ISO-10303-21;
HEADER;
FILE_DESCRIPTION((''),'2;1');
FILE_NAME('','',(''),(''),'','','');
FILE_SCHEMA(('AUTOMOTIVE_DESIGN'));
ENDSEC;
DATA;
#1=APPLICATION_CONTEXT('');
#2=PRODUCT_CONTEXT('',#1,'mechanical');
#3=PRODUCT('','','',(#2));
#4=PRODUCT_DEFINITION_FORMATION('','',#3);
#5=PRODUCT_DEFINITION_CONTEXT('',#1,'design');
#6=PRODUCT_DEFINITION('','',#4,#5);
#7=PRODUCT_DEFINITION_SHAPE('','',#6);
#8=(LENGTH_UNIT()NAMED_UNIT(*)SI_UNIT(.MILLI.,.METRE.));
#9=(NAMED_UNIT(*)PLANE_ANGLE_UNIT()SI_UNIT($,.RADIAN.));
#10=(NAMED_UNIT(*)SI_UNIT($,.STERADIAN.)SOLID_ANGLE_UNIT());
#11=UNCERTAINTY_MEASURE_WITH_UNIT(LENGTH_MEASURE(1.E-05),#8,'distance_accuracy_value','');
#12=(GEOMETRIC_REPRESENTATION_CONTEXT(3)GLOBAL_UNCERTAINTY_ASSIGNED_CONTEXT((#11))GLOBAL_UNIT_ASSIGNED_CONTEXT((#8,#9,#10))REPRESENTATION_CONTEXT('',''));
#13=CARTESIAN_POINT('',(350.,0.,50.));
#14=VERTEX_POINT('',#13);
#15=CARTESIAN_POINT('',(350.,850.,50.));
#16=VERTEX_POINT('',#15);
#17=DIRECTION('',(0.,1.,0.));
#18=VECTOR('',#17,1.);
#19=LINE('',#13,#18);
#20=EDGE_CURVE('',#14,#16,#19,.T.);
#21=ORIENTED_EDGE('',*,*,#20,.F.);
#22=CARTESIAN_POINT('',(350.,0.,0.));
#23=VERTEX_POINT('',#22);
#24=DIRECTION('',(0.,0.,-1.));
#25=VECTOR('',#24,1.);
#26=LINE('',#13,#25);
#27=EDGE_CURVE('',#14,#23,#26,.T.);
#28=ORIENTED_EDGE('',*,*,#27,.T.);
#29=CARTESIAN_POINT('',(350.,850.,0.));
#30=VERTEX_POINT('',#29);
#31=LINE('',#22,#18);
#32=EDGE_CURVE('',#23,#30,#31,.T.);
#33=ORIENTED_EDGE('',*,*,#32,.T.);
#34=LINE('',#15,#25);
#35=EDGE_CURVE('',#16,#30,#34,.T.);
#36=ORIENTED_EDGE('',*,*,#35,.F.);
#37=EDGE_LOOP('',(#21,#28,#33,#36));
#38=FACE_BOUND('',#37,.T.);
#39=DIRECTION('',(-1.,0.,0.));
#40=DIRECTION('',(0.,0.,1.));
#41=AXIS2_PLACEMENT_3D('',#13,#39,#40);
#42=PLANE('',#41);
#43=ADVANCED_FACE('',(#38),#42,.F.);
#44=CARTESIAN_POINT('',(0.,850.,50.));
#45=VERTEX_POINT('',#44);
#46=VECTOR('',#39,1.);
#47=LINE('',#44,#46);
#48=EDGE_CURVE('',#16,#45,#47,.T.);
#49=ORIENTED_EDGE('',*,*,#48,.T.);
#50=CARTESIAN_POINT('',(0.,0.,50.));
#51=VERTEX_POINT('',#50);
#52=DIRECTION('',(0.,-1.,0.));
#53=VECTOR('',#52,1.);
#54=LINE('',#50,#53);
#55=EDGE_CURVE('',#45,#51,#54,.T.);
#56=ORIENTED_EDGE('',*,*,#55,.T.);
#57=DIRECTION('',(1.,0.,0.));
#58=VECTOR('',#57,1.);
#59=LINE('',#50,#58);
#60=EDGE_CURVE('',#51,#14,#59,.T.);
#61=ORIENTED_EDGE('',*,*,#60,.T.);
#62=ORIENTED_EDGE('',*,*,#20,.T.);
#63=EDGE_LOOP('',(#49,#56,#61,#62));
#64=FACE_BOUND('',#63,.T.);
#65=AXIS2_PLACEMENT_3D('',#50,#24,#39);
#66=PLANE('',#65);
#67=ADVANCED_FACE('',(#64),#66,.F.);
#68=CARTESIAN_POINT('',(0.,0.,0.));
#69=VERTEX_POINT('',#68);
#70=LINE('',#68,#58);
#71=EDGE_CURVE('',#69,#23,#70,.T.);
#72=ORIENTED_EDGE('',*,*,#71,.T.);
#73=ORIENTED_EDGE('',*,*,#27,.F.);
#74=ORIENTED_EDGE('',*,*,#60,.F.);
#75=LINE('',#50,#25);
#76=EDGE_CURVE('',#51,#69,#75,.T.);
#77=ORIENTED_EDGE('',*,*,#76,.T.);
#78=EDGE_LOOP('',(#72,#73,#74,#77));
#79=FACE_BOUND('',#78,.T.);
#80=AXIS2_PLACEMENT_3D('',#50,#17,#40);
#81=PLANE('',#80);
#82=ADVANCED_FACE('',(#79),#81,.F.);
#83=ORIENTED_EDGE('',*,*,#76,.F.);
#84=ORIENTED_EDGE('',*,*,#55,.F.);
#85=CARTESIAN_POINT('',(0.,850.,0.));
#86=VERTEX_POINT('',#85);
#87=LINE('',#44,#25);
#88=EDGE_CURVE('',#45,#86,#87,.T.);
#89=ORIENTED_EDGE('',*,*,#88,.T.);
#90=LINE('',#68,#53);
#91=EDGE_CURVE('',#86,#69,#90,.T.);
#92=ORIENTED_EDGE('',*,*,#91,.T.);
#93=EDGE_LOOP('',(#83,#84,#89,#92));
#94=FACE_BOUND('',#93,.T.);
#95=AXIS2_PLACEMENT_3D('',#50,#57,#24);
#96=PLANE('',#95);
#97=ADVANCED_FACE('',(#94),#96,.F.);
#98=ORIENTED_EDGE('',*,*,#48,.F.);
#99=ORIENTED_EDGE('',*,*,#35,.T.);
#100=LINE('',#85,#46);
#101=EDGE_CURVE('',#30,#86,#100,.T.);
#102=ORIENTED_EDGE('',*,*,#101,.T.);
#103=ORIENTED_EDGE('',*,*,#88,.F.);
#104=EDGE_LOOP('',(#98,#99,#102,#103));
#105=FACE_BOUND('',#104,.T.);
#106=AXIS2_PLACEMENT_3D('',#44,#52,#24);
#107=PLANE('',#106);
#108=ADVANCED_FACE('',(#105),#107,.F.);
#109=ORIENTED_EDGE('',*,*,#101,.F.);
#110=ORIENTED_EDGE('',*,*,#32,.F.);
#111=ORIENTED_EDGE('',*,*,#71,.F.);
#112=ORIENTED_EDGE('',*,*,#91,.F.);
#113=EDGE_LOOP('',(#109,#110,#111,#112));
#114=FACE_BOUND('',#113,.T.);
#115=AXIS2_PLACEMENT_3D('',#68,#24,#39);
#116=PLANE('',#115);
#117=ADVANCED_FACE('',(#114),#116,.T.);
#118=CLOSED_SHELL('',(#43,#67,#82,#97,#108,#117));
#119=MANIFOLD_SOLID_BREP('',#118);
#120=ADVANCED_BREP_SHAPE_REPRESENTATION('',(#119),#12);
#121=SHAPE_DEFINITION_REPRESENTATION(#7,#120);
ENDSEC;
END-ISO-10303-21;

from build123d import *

# Parameters (mm, degrees)
SKETCH1_W            = 350
SKETCH1_H            = 850
REFERENCE_ONLY_DEPTH = 50


with BuildPart() as part:
    # Sketch1 → Reference_only (new body)
    with BuildSketch(Plane.XY):
        with Locations((175, 425)):
            Rectangle(SKETCH1_W, SKETCH1_H)
    extrude(amount=REFERENCE_ONLY_DEPTH)


solid = part.part
